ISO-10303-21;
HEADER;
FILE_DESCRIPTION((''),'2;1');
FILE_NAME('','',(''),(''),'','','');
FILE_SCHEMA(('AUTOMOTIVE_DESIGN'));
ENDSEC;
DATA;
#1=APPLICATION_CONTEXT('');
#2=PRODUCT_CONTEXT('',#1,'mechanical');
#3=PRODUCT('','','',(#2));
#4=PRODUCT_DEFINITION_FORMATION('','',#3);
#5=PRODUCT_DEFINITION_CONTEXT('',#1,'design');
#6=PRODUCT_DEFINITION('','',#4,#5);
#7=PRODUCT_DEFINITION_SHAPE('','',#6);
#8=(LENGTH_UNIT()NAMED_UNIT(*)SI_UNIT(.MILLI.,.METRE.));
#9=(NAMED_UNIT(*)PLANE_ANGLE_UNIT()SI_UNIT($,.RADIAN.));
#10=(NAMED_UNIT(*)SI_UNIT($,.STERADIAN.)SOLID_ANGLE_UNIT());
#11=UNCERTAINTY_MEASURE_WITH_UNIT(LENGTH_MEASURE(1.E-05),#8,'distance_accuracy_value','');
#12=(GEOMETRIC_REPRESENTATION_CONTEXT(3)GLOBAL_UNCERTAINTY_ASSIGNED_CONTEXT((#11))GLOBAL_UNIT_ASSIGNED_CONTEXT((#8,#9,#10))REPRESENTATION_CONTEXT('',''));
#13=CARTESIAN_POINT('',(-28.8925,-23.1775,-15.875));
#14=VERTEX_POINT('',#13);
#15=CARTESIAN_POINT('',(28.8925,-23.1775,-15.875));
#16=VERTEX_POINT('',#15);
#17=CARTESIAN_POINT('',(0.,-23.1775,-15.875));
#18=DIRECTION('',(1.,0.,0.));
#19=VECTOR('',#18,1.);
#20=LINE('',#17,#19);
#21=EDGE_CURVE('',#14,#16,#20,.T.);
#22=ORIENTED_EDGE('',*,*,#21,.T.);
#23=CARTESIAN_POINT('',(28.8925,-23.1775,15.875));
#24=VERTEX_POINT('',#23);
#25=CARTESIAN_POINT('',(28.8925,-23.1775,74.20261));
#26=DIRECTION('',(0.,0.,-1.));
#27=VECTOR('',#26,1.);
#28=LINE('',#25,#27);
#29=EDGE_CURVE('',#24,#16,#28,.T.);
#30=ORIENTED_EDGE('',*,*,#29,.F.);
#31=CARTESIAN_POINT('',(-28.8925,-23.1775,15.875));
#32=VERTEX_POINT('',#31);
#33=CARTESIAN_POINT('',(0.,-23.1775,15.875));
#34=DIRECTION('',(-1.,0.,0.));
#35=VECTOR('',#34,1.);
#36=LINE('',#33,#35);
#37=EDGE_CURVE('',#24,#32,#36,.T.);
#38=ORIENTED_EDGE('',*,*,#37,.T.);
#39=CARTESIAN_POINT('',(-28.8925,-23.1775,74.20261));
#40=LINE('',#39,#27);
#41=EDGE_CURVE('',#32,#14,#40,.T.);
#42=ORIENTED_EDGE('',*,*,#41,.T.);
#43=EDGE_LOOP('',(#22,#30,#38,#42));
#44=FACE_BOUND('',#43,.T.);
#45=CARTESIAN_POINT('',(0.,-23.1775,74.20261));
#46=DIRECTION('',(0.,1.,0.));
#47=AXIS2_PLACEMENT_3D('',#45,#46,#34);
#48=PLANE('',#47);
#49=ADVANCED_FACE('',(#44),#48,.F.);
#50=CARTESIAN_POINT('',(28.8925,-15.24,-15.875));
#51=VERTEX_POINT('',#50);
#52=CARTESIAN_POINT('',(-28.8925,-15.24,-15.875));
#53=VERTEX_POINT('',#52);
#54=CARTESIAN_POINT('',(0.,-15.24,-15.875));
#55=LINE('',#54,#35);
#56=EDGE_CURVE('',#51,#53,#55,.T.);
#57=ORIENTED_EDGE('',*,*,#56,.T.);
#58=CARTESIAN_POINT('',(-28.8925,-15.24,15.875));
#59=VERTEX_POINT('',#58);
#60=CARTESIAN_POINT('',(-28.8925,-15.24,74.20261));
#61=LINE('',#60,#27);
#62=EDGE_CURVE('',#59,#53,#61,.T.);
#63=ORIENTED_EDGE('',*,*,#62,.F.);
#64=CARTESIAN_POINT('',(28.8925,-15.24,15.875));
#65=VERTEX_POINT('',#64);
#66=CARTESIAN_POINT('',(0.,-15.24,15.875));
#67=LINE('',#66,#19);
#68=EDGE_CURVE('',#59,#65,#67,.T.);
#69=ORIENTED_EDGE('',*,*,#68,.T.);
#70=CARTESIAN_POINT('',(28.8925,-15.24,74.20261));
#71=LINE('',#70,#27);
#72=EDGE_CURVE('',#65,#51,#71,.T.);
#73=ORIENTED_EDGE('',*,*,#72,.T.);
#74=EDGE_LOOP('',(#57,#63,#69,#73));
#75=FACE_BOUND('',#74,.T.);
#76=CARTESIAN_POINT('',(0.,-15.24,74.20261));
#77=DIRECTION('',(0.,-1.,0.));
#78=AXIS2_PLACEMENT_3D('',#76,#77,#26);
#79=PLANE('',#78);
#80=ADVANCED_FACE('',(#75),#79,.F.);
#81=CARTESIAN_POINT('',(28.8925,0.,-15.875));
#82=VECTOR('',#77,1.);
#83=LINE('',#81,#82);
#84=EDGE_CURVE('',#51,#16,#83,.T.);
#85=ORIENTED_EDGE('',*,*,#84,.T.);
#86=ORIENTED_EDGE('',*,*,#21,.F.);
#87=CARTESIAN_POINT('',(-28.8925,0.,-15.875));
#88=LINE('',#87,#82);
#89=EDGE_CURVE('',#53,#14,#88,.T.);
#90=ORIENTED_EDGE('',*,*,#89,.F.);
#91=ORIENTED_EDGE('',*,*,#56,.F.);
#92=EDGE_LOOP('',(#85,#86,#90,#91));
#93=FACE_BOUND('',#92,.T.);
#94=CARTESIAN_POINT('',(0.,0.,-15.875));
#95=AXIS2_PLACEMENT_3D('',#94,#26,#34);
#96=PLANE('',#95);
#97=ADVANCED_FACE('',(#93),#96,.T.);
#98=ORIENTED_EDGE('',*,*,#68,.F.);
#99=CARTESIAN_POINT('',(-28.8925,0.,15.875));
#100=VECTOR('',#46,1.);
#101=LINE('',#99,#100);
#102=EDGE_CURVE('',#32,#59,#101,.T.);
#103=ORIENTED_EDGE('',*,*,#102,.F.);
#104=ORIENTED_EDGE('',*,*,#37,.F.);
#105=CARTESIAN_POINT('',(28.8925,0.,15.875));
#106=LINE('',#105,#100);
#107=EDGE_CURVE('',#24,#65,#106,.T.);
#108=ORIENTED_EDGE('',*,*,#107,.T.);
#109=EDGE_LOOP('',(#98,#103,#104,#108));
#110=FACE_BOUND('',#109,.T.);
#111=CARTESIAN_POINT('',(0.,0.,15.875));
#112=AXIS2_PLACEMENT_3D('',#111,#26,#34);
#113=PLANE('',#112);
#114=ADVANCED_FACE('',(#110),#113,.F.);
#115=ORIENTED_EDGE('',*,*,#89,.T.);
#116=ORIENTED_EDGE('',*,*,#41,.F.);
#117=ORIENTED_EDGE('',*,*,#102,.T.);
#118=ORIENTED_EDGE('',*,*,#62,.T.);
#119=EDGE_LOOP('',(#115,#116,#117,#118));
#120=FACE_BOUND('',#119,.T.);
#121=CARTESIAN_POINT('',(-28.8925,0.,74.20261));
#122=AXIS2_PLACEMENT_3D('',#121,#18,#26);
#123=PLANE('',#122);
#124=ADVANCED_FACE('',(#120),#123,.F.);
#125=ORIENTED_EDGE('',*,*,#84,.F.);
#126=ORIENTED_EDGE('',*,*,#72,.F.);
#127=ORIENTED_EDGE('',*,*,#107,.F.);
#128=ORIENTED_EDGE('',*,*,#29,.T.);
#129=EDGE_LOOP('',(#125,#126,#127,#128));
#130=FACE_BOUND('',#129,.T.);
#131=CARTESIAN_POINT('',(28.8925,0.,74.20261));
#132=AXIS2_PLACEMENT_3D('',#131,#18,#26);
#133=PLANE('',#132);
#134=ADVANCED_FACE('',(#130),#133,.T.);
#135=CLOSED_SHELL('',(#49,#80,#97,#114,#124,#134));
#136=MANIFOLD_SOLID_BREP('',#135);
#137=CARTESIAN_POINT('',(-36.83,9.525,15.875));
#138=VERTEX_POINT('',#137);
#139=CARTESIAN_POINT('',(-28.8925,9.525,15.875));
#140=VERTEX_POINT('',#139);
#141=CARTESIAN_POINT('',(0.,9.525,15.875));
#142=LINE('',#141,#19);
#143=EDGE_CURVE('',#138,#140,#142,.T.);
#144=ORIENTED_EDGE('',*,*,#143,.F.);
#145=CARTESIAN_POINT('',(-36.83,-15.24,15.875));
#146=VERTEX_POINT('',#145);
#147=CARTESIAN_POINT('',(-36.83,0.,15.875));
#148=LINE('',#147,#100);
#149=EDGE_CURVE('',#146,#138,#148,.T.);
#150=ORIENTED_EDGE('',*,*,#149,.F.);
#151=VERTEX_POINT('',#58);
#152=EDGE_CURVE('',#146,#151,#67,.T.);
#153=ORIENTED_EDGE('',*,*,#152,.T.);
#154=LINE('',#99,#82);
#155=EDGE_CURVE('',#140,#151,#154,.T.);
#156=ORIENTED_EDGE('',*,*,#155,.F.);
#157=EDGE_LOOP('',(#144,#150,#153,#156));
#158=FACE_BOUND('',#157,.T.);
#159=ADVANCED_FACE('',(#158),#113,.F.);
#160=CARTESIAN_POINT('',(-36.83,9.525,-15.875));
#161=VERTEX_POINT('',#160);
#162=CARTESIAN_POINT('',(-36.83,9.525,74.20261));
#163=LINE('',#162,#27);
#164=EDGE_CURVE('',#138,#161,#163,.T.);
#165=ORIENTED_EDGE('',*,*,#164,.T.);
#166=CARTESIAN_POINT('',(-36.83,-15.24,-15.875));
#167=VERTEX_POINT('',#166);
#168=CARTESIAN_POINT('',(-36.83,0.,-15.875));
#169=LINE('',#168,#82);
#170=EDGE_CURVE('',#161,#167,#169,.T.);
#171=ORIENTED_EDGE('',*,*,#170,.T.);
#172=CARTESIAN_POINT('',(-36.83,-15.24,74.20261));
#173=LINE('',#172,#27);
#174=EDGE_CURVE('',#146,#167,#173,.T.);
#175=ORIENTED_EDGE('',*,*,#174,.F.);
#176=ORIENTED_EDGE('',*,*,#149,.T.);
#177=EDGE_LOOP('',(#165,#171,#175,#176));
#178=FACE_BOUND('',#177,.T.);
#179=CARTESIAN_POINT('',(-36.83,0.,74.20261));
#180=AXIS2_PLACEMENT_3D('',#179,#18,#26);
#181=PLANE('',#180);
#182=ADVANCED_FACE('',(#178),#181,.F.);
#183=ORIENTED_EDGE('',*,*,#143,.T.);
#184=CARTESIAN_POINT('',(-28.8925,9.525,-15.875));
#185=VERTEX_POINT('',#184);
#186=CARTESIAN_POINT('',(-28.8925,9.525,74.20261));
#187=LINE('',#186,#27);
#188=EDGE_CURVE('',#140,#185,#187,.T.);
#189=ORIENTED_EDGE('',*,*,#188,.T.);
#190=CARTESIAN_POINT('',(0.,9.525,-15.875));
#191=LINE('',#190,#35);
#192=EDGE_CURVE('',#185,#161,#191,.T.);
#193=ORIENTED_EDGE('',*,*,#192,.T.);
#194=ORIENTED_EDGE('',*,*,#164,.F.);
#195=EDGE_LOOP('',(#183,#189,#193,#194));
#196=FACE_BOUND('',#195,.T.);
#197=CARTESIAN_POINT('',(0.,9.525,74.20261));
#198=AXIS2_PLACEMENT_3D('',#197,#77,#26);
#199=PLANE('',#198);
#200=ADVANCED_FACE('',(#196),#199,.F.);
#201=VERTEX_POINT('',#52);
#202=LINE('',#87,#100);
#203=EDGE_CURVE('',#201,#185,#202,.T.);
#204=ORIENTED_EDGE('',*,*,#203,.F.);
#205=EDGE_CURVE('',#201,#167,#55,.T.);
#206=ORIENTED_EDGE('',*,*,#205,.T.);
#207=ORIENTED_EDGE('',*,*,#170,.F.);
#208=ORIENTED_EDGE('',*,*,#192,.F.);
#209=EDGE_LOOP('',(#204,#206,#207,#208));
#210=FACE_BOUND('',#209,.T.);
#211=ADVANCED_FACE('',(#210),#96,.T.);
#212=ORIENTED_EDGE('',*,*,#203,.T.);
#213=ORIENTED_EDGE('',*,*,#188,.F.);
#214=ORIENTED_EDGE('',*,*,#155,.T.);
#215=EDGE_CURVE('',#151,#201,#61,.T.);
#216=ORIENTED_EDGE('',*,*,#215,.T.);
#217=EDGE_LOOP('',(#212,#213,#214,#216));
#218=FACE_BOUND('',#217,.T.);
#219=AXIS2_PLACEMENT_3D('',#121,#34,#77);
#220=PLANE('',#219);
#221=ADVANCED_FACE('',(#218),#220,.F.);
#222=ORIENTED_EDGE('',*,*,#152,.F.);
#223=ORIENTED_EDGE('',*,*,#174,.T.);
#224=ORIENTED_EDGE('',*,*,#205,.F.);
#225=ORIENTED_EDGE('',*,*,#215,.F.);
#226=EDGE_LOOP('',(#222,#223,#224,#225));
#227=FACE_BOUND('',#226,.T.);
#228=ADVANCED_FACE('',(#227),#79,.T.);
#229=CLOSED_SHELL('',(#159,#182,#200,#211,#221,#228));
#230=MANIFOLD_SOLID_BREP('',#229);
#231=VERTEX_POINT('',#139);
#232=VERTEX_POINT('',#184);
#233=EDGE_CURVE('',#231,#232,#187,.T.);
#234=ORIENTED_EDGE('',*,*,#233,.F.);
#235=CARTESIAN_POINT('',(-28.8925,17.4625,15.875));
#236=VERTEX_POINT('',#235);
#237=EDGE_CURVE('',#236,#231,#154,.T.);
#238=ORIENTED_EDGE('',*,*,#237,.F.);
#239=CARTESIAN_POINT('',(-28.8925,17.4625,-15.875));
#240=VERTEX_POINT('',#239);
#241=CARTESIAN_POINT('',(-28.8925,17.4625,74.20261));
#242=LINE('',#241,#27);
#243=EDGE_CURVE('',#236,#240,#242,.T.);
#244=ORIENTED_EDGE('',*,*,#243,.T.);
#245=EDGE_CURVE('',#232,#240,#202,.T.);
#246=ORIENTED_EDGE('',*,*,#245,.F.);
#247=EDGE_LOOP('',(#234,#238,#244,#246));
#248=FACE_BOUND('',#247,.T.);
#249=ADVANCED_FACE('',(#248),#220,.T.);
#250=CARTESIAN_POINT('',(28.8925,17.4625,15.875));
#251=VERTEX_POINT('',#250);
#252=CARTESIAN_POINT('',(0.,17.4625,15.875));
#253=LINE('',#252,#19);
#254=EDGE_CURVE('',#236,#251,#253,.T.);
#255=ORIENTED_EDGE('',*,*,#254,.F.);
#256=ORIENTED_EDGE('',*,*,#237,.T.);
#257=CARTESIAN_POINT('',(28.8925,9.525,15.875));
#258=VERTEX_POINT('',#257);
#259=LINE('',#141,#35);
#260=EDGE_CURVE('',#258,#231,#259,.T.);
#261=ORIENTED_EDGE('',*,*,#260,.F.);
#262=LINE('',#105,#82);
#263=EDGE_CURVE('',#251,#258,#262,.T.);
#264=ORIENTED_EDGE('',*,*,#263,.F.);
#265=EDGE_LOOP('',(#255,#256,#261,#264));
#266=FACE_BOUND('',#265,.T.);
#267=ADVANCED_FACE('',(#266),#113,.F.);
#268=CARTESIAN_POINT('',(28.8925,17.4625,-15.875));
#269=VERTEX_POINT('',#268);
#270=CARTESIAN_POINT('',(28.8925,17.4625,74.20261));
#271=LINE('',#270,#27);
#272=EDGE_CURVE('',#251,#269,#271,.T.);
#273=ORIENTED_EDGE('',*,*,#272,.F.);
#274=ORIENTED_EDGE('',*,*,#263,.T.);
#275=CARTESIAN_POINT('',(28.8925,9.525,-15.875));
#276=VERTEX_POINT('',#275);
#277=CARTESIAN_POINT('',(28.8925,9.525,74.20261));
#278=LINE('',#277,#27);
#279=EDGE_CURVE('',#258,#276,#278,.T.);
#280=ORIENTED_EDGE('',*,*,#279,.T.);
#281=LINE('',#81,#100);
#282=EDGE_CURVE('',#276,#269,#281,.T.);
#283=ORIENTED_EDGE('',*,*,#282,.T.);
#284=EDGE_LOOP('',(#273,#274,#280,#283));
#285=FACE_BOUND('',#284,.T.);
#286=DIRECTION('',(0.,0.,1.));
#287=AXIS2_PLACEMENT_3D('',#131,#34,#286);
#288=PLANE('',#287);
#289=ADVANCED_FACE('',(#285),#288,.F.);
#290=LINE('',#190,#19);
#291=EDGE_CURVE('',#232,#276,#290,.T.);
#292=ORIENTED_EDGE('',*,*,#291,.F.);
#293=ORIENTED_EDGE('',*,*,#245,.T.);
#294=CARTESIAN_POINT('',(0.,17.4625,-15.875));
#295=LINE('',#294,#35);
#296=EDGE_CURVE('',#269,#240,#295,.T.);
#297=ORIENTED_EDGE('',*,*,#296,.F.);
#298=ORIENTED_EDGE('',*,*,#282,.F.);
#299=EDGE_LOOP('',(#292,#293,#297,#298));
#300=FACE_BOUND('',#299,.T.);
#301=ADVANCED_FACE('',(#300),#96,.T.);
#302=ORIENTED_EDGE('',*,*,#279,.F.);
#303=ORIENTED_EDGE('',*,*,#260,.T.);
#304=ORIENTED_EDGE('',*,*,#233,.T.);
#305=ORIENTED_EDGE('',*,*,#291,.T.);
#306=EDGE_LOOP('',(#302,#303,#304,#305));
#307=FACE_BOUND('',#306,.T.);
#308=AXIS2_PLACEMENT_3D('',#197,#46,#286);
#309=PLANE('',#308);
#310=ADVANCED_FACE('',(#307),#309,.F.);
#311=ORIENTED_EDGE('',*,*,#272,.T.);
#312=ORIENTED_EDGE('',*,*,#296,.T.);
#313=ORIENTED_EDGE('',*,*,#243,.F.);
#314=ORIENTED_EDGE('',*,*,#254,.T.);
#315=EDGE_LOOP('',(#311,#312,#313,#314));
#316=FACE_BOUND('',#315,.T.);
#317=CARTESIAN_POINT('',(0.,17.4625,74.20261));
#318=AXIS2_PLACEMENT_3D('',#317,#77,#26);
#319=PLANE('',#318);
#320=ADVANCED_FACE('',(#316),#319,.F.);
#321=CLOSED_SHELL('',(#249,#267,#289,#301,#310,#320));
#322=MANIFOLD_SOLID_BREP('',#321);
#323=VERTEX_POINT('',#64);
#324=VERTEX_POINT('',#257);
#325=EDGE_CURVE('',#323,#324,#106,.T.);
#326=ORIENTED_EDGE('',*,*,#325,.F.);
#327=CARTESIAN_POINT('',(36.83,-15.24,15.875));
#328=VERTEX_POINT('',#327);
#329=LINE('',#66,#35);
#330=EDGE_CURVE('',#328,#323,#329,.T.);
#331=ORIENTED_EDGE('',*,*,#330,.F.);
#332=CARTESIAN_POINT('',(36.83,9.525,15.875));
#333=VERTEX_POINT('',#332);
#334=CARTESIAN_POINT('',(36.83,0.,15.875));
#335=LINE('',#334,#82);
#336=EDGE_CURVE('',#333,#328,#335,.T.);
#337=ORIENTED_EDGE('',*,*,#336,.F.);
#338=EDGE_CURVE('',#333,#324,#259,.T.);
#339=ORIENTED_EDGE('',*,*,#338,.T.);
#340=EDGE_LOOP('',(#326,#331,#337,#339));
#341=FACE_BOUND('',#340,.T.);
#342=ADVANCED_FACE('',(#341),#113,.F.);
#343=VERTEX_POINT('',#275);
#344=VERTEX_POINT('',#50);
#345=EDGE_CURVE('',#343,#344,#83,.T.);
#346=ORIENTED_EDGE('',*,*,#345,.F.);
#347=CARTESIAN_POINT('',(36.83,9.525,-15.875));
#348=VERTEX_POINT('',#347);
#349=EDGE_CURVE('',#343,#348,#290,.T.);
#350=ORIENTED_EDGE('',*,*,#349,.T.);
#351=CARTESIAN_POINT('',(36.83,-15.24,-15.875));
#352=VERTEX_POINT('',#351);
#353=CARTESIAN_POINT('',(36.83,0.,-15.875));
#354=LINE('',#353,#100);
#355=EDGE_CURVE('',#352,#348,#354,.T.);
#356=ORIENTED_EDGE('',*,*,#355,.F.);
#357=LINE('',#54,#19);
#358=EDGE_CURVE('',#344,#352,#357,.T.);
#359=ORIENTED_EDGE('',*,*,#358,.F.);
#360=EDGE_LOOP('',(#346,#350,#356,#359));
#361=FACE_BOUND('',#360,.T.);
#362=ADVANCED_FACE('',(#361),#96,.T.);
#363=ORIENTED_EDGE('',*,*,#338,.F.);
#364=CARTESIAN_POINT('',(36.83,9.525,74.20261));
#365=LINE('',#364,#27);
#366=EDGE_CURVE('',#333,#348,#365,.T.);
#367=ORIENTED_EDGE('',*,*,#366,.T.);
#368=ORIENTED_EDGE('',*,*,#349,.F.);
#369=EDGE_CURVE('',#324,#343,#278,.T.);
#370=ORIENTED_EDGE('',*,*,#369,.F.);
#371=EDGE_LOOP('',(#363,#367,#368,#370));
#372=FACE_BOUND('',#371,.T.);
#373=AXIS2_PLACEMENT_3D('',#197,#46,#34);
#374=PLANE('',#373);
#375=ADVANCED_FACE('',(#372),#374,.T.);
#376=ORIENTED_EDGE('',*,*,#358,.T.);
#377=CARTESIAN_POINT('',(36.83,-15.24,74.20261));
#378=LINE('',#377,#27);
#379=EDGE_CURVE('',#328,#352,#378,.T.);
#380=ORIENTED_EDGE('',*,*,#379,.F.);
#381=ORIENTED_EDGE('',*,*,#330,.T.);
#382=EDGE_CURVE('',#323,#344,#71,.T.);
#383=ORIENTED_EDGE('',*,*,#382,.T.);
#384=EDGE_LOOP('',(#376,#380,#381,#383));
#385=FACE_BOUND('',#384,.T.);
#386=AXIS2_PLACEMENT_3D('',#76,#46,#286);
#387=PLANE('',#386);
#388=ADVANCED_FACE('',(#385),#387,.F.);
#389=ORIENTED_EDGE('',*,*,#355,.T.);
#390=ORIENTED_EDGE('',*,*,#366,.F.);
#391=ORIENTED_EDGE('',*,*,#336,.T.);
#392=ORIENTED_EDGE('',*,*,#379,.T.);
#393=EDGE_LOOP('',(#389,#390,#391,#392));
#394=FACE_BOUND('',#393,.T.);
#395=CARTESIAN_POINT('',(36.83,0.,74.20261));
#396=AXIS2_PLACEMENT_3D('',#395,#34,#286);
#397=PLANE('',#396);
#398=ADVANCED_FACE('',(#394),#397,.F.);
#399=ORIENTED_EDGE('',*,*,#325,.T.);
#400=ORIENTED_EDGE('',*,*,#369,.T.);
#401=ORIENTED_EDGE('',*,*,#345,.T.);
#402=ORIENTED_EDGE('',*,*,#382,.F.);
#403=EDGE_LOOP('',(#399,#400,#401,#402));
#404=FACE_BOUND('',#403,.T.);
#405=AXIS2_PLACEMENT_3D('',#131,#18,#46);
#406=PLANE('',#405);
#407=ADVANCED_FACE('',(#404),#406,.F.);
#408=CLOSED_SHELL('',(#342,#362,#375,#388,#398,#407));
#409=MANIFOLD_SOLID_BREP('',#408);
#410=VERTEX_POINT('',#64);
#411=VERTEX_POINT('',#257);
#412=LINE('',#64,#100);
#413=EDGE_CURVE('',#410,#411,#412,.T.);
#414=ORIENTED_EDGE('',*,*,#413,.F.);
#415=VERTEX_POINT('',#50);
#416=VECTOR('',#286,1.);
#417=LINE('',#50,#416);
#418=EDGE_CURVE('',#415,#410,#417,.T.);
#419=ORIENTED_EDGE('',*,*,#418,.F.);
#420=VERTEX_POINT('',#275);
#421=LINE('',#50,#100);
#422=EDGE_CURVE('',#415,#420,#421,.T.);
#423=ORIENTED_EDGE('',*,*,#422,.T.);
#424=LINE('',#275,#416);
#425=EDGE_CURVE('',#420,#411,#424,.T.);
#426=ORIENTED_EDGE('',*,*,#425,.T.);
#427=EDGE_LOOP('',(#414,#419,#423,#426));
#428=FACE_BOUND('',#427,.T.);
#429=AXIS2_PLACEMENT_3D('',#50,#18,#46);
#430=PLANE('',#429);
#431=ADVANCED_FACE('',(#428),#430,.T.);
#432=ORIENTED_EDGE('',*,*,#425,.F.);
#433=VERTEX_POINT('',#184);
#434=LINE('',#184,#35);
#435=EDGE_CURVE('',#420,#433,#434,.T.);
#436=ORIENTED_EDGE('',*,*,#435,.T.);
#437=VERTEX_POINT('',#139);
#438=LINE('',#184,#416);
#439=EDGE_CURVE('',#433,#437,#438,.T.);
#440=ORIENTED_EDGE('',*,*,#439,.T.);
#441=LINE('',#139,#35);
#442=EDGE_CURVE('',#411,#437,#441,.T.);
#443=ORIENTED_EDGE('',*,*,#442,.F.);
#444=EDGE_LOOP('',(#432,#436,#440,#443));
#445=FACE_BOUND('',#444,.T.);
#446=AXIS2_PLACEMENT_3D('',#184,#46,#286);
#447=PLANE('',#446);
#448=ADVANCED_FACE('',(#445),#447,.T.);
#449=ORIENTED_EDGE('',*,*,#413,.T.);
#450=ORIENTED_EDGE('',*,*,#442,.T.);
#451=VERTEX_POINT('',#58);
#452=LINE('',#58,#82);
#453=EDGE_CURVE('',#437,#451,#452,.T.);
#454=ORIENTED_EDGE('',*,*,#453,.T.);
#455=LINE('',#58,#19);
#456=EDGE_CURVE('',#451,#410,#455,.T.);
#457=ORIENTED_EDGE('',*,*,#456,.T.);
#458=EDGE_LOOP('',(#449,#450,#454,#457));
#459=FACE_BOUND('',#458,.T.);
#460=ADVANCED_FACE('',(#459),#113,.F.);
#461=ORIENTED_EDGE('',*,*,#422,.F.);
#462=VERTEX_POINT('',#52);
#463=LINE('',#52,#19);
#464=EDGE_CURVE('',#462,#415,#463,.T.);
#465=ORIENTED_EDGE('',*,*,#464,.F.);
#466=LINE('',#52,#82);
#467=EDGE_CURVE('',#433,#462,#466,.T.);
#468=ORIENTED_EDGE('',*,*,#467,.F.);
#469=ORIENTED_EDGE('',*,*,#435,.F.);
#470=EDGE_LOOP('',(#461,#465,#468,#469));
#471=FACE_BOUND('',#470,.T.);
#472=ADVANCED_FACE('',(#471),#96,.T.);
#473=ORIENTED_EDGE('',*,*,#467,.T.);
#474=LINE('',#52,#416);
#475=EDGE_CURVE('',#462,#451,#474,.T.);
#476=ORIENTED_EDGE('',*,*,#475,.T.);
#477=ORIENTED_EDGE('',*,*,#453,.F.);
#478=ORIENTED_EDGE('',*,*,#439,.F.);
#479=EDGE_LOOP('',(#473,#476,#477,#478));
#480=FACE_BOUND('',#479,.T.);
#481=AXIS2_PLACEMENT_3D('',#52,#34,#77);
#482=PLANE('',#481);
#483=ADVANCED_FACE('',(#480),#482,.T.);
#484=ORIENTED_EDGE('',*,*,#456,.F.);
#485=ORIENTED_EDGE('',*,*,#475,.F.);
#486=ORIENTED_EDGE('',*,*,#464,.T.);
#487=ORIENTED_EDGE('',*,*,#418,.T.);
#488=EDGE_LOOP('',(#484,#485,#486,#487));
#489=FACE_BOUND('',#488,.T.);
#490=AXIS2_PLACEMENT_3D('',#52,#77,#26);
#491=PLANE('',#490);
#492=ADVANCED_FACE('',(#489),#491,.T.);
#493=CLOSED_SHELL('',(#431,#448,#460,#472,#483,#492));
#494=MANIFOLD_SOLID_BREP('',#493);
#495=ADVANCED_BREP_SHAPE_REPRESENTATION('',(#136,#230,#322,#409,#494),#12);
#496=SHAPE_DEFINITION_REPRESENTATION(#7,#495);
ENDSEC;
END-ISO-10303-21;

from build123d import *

# Parameters (mm, degrees)
SKETCH1_W           = 57.785
SKETCH1_H           = 24.765
BOSS_EXTRUDE1_DEPTH = 15.875
SKETCH2_W           = 7.9375
SKETCH2_H           = 24.765
SKETCH2_W_2         = 57.785
SKETCH2_H_2         = 7.9375
BOSS_EXTRUDE2_DEPTH = 31.75


with BuildPart() as part:
    # Sketch1 → Boss-Extrude1 (new, symmetric)
    with BuildSketch(Plane.XY):
        with Locations((0, -2.8575)):
            Rectangle(SKETCH1_W, SKETCH1_H)
    extrude(amount=BOSS_EXTRUDE1_DEPTH, both=True)


with BuildPart() as body_2:
    # Sketch2 → Boss-Extrude2 (new body)
    with BuildSketch(Plane(origin=(0, 0, -15.875), x_dir=(-1, 0, 0), z_dir=(0, 0, -1))):
        with Locations((-32.86125, -2.8575)):
            Rectangle(SKETCH2_W, SKETCH2_H)
        with Locations((0, -19.20875)):
            Rectangle(SKETCH2_W_2, SKETCH2_H_2)
        with Locations((0, 13.49375)):
            Rectangle(SKETCH2_W_2, SKETCH2_H_2)
        with Locations((32.86125, -2.8575)):
            Rectangle(SKETCH2_W, SKETCH2_H)
    extrude(amount=-BOSS_EXTRUDE2_DEPTH)


solid = Compound([part.part, body_2.part])
